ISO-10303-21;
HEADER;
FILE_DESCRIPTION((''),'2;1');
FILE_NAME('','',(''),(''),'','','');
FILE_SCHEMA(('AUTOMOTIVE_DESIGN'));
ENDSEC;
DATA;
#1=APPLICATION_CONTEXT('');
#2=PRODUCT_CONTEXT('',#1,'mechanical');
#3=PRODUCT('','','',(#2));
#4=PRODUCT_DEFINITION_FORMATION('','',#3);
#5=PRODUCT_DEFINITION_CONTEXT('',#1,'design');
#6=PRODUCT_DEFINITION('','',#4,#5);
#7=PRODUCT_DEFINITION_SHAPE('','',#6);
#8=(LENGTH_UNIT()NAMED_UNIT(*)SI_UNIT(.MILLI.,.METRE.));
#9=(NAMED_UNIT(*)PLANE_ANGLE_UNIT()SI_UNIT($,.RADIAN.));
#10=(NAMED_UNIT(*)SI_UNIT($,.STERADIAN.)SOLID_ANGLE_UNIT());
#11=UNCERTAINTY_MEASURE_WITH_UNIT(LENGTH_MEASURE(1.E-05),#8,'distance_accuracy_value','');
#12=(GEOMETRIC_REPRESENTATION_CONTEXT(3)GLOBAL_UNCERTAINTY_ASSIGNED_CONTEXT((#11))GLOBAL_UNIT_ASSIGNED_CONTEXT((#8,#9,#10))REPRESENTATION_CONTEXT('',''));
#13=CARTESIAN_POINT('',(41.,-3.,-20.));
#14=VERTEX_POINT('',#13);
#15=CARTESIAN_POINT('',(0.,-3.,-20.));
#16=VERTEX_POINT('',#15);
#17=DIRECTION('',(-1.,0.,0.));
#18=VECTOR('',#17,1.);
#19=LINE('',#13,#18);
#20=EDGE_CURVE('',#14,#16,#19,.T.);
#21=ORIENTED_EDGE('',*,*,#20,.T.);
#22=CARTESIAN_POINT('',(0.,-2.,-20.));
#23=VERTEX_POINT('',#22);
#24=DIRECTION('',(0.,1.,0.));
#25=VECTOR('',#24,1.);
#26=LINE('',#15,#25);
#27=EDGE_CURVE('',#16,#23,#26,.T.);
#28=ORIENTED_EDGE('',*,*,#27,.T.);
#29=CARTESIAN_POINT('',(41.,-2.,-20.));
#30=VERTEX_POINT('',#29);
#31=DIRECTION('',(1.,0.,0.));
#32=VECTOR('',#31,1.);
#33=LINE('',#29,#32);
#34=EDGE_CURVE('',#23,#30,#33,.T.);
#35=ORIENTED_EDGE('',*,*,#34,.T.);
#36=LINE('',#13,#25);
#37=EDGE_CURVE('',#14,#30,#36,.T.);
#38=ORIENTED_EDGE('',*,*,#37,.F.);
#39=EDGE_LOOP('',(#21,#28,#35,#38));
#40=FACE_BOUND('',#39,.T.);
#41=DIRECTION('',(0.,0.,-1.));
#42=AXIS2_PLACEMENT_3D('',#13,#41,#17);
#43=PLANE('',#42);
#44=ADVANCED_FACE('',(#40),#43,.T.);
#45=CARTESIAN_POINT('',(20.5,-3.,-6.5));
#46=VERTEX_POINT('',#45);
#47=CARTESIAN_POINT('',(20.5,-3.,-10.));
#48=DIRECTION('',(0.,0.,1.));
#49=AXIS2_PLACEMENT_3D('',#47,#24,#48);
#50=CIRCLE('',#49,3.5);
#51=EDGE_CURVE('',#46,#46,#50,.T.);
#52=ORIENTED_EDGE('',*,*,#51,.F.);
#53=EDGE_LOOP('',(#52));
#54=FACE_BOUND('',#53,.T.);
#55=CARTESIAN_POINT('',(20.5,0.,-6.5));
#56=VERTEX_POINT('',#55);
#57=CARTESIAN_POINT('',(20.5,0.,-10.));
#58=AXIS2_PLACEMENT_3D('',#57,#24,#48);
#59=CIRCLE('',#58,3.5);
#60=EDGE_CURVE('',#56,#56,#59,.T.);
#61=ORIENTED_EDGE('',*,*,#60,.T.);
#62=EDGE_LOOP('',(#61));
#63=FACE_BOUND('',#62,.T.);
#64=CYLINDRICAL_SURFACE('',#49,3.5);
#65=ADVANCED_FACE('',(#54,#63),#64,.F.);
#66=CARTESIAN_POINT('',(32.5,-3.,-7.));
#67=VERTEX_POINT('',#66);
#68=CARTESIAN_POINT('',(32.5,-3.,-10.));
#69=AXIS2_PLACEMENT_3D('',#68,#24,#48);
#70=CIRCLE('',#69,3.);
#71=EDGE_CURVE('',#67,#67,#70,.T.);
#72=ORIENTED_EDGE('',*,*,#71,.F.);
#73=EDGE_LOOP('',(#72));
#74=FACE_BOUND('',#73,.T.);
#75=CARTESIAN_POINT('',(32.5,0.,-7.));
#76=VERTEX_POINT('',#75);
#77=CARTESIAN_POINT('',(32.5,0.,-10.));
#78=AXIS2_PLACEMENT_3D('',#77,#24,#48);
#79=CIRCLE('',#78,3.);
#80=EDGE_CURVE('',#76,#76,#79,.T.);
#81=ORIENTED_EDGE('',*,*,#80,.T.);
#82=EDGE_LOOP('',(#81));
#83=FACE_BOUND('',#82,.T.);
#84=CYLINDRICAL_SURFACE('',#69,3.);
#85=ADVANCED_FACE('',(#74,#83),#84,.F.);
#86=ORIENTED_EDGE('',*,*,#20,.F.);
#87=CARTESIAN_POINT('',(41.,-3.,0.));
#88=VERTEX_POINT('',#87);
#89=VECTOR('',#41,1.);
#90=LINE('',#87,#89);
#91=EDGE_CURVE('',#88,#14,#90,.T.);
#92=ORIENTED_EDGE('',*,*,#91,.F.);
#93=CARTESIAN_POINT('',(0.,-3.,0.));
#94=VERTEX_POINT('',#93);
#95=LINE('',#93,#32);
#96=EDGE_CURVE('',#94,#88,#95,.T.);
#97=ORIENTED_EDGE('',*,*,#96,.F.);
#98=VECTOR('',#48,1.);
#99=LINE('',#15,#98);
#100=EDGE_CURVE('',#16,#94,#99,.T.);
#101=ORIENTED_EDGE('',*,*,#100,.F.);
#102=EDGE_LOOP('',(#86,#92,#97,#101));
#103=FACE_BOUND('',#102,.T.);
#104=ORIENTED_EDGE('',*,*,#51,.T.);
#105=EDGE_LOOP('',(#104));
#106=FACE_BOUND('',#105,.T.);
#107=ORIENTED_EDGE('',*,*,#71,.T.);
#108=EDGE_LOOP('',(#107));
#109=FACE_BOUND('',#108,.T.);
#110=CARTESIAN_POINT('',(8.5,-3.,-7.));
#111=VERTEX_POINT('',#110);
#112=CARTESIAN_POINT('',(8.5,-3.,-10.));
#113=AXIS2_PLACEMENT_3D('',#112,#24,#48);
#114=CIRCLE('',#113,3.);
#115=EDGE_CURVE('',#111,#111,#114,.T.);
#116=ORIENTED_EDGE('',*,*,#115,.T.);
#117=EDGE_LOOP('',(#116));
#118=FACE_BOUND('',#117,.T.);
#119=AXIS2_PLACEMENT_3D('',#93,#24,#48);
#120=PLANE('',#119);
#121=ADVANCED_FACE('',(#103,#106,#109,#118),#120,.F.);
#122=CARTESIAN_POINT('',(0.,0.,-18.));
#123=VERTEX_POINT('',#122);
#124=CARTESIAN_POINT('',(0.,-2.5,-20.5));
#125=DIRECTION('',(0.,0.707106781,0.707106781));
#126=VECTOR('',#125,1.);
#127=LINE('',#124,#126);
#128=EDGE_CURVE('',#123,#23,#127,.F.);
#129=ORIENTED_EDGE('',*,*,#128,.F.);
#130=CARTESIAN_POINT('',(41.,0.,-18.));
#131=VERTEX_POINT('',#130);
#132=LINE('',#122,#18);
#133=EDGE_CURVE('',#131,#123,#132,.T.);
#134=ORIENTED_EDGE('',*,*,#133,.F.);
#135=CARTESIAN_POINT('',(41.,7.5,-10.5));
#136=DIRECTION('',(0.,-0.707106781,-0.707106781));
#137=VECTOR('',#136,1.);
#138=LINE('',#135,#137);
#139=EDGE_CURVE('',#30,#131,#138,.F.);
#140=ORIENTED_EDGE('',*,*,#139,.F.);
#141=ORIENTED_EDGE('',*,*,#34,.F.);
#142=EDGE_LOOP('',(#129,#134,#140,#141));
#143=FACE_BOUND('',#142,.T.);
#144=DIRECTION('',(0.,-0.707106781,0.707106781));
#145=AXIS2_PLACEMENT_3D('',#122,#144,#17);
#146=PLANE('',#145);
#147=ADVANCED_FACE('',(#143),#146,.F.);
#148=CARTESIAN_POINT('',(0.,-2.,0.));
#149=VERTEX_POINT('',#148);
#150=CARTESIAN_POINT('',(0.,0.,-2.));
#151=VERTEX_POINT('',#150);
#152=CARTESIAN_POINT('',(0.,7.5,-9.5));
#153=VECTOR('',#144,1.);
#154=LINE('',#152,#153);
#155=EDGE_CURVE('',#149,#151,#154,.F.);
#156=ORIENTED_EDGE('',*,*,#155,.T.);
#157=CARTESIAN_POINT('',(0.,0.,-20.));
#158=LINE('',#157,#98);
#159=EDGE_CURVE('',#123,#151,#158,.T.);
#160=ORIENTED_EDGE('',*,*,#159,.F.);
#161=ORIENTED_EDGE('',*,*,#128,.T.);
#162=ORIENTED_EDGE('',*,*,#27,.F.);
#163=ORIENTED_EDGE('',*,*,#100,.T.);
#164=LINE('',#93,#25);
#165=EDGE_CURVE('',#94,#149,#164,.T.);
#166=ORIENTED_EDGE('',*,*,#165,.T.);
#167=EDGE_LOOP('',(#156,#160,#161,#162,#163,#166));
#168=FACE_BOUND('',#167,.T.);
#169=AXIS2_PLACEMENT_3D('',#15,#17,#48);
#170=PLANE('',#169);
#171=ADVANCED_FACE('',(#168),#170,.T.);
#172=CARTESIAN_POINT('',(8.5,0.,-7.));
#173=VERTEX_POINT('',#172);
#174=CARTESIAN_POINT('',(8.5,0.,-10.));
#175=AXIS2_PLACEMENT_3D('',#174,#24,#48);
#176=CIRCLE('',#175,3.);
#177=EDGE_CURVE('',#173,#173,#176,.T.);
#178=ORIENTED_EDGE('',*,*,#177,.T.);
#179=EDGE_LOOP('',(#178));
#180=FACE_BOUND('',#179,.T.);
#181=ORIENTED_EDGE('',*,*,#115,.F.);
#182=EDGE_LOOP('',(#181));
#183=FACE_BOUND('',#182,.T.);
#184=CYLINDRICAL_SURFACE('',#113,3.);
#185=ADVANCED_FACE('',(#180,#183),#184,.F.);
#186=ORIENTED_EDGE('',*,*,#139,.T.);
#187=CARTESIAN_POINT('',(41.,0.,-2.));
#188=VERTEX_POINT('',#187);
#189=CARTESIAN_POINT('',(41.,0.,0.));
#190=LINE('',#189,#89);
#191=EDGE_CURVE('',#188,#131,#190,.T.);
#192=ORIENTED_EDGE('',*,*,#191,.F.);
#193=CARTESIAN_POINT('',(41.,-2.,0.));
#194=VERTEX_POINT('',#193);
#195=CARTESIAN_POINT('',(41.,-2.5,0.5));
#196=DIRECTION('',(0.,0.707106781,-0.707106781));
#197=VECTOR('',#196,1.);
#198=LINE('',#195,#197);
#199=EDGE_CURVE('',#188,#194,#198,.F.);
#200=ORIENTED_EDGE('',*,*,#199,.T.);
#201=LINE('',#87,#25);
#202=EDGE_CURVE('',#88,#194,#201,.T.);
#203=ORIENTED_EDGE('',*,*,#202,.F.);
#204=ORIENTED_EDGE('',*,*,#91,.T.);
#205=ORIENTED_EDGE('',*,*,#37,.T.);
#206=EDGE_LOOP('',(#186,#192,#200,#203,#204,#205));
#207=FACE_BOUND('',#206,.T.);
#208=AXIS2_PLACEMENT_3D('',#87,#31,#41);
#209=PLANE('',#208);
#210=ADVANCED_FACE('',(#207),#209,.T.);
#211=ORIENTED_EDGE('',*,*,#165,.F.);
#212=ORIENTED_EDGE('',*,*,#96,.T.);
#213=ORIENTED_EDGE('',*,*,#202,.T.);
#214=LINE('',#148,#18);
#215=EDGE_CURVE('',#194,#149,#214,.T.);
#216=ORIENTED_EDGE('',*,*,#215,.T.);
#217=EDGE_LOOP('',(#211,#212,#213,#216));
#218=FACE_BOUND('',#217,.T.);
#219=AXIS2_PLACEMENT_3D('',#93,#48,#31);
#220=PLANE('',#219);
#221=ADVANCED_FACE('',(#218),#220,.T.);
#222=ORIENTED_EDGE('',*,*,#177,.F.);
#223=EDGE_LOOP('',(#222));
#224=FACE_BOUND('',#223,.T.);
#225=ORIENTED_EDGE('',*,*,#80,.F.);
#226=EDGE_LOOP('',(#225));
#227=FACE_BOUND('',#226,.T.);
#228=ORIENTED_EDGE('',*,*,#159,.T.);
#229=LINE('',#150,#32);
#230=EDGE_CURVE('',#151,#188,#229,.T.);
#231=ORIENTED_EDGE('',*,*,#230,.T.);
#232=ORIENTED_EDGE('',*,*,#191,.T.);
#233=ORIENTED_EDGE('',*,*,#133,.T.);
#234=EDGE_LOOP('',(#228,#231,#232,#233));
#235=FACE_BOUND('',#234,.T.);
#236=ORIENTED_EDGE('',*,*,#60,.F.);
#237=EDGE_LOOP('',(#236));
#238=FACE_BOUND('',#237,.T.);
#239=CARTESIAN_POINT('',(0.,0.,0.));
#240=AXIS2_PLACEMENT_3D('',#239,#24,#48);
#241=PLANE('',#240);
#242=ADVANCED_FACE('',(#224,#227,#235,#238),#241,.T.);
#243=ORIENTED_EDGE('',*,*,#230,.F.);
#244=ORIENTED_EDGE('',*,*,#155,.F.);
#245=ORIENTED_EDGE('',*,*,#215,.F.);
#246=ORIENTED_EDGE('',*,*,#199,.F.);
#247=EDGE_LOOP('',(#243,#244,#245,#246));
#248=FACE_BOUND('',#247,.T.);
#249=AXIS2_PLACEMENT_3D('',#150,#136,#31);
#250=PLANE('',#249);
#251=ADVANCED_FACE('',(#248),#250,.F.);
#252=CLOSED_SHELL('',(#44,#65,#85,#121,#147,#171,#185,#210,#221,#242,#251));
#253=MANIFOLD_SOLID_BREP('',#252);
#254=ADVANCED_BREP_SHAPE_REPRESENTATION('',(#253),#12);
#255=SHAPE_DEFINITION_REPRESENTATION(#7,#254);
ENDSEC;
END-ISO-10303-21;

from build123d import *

# Parameters (mm, degrees)
SKETCH1_W           = 41
SKETCH1_H           = 20
BOSS_EXTRUDE1_DEPTH = 3
SKETCH7_R           = 3
SKETCH7_R_2         = 3.5
HOLES_DEPTH         = 4
CHAMFER1_SIZE       = 2


with BuildPart() as part:
    # Sketch1 → Boss-Extrude1 (new body)
    with BuildSketch(Plane(origin=(0, 0, 0), x_dir=(1, 0, 0), z_dir=(0, 1, 0))):
        with Locations((20.5, 10)):
            Rectangle(SKETCH1_W, SKETCH1_H)
    extrude(amount=-BOSS_EXTRUDE1_DEPTH)

    # Sketch7 → holes (cut, through all)
    with BuildSketch(Plane(origin=(0, 0, 0), x_dir=(1, 0, 0), z_dir=(0, 1, 0))):
        with Locations((8.5, 10)):
            Circle(SKETCH7_R)
        with Locations((32.5, 10)):
            Circle(SKETCH7_R)
        with Locations((20.5, 10)):
            Circle(SKETCH7_R_2)
    extrude(amount=-HOLES_DEPTH, mode=Mode.SUBTRACT)

    # Chamfer1
    chamfer1_edges = [part.edges().sort_by_distance(p)[0] for p in [
        (20.5, 0, 0),
        (20.5, 0, -20),
    ]]
    chamfer(chamfer1_edges, length=CHAMFER1_SIZE)


solid = part.part
